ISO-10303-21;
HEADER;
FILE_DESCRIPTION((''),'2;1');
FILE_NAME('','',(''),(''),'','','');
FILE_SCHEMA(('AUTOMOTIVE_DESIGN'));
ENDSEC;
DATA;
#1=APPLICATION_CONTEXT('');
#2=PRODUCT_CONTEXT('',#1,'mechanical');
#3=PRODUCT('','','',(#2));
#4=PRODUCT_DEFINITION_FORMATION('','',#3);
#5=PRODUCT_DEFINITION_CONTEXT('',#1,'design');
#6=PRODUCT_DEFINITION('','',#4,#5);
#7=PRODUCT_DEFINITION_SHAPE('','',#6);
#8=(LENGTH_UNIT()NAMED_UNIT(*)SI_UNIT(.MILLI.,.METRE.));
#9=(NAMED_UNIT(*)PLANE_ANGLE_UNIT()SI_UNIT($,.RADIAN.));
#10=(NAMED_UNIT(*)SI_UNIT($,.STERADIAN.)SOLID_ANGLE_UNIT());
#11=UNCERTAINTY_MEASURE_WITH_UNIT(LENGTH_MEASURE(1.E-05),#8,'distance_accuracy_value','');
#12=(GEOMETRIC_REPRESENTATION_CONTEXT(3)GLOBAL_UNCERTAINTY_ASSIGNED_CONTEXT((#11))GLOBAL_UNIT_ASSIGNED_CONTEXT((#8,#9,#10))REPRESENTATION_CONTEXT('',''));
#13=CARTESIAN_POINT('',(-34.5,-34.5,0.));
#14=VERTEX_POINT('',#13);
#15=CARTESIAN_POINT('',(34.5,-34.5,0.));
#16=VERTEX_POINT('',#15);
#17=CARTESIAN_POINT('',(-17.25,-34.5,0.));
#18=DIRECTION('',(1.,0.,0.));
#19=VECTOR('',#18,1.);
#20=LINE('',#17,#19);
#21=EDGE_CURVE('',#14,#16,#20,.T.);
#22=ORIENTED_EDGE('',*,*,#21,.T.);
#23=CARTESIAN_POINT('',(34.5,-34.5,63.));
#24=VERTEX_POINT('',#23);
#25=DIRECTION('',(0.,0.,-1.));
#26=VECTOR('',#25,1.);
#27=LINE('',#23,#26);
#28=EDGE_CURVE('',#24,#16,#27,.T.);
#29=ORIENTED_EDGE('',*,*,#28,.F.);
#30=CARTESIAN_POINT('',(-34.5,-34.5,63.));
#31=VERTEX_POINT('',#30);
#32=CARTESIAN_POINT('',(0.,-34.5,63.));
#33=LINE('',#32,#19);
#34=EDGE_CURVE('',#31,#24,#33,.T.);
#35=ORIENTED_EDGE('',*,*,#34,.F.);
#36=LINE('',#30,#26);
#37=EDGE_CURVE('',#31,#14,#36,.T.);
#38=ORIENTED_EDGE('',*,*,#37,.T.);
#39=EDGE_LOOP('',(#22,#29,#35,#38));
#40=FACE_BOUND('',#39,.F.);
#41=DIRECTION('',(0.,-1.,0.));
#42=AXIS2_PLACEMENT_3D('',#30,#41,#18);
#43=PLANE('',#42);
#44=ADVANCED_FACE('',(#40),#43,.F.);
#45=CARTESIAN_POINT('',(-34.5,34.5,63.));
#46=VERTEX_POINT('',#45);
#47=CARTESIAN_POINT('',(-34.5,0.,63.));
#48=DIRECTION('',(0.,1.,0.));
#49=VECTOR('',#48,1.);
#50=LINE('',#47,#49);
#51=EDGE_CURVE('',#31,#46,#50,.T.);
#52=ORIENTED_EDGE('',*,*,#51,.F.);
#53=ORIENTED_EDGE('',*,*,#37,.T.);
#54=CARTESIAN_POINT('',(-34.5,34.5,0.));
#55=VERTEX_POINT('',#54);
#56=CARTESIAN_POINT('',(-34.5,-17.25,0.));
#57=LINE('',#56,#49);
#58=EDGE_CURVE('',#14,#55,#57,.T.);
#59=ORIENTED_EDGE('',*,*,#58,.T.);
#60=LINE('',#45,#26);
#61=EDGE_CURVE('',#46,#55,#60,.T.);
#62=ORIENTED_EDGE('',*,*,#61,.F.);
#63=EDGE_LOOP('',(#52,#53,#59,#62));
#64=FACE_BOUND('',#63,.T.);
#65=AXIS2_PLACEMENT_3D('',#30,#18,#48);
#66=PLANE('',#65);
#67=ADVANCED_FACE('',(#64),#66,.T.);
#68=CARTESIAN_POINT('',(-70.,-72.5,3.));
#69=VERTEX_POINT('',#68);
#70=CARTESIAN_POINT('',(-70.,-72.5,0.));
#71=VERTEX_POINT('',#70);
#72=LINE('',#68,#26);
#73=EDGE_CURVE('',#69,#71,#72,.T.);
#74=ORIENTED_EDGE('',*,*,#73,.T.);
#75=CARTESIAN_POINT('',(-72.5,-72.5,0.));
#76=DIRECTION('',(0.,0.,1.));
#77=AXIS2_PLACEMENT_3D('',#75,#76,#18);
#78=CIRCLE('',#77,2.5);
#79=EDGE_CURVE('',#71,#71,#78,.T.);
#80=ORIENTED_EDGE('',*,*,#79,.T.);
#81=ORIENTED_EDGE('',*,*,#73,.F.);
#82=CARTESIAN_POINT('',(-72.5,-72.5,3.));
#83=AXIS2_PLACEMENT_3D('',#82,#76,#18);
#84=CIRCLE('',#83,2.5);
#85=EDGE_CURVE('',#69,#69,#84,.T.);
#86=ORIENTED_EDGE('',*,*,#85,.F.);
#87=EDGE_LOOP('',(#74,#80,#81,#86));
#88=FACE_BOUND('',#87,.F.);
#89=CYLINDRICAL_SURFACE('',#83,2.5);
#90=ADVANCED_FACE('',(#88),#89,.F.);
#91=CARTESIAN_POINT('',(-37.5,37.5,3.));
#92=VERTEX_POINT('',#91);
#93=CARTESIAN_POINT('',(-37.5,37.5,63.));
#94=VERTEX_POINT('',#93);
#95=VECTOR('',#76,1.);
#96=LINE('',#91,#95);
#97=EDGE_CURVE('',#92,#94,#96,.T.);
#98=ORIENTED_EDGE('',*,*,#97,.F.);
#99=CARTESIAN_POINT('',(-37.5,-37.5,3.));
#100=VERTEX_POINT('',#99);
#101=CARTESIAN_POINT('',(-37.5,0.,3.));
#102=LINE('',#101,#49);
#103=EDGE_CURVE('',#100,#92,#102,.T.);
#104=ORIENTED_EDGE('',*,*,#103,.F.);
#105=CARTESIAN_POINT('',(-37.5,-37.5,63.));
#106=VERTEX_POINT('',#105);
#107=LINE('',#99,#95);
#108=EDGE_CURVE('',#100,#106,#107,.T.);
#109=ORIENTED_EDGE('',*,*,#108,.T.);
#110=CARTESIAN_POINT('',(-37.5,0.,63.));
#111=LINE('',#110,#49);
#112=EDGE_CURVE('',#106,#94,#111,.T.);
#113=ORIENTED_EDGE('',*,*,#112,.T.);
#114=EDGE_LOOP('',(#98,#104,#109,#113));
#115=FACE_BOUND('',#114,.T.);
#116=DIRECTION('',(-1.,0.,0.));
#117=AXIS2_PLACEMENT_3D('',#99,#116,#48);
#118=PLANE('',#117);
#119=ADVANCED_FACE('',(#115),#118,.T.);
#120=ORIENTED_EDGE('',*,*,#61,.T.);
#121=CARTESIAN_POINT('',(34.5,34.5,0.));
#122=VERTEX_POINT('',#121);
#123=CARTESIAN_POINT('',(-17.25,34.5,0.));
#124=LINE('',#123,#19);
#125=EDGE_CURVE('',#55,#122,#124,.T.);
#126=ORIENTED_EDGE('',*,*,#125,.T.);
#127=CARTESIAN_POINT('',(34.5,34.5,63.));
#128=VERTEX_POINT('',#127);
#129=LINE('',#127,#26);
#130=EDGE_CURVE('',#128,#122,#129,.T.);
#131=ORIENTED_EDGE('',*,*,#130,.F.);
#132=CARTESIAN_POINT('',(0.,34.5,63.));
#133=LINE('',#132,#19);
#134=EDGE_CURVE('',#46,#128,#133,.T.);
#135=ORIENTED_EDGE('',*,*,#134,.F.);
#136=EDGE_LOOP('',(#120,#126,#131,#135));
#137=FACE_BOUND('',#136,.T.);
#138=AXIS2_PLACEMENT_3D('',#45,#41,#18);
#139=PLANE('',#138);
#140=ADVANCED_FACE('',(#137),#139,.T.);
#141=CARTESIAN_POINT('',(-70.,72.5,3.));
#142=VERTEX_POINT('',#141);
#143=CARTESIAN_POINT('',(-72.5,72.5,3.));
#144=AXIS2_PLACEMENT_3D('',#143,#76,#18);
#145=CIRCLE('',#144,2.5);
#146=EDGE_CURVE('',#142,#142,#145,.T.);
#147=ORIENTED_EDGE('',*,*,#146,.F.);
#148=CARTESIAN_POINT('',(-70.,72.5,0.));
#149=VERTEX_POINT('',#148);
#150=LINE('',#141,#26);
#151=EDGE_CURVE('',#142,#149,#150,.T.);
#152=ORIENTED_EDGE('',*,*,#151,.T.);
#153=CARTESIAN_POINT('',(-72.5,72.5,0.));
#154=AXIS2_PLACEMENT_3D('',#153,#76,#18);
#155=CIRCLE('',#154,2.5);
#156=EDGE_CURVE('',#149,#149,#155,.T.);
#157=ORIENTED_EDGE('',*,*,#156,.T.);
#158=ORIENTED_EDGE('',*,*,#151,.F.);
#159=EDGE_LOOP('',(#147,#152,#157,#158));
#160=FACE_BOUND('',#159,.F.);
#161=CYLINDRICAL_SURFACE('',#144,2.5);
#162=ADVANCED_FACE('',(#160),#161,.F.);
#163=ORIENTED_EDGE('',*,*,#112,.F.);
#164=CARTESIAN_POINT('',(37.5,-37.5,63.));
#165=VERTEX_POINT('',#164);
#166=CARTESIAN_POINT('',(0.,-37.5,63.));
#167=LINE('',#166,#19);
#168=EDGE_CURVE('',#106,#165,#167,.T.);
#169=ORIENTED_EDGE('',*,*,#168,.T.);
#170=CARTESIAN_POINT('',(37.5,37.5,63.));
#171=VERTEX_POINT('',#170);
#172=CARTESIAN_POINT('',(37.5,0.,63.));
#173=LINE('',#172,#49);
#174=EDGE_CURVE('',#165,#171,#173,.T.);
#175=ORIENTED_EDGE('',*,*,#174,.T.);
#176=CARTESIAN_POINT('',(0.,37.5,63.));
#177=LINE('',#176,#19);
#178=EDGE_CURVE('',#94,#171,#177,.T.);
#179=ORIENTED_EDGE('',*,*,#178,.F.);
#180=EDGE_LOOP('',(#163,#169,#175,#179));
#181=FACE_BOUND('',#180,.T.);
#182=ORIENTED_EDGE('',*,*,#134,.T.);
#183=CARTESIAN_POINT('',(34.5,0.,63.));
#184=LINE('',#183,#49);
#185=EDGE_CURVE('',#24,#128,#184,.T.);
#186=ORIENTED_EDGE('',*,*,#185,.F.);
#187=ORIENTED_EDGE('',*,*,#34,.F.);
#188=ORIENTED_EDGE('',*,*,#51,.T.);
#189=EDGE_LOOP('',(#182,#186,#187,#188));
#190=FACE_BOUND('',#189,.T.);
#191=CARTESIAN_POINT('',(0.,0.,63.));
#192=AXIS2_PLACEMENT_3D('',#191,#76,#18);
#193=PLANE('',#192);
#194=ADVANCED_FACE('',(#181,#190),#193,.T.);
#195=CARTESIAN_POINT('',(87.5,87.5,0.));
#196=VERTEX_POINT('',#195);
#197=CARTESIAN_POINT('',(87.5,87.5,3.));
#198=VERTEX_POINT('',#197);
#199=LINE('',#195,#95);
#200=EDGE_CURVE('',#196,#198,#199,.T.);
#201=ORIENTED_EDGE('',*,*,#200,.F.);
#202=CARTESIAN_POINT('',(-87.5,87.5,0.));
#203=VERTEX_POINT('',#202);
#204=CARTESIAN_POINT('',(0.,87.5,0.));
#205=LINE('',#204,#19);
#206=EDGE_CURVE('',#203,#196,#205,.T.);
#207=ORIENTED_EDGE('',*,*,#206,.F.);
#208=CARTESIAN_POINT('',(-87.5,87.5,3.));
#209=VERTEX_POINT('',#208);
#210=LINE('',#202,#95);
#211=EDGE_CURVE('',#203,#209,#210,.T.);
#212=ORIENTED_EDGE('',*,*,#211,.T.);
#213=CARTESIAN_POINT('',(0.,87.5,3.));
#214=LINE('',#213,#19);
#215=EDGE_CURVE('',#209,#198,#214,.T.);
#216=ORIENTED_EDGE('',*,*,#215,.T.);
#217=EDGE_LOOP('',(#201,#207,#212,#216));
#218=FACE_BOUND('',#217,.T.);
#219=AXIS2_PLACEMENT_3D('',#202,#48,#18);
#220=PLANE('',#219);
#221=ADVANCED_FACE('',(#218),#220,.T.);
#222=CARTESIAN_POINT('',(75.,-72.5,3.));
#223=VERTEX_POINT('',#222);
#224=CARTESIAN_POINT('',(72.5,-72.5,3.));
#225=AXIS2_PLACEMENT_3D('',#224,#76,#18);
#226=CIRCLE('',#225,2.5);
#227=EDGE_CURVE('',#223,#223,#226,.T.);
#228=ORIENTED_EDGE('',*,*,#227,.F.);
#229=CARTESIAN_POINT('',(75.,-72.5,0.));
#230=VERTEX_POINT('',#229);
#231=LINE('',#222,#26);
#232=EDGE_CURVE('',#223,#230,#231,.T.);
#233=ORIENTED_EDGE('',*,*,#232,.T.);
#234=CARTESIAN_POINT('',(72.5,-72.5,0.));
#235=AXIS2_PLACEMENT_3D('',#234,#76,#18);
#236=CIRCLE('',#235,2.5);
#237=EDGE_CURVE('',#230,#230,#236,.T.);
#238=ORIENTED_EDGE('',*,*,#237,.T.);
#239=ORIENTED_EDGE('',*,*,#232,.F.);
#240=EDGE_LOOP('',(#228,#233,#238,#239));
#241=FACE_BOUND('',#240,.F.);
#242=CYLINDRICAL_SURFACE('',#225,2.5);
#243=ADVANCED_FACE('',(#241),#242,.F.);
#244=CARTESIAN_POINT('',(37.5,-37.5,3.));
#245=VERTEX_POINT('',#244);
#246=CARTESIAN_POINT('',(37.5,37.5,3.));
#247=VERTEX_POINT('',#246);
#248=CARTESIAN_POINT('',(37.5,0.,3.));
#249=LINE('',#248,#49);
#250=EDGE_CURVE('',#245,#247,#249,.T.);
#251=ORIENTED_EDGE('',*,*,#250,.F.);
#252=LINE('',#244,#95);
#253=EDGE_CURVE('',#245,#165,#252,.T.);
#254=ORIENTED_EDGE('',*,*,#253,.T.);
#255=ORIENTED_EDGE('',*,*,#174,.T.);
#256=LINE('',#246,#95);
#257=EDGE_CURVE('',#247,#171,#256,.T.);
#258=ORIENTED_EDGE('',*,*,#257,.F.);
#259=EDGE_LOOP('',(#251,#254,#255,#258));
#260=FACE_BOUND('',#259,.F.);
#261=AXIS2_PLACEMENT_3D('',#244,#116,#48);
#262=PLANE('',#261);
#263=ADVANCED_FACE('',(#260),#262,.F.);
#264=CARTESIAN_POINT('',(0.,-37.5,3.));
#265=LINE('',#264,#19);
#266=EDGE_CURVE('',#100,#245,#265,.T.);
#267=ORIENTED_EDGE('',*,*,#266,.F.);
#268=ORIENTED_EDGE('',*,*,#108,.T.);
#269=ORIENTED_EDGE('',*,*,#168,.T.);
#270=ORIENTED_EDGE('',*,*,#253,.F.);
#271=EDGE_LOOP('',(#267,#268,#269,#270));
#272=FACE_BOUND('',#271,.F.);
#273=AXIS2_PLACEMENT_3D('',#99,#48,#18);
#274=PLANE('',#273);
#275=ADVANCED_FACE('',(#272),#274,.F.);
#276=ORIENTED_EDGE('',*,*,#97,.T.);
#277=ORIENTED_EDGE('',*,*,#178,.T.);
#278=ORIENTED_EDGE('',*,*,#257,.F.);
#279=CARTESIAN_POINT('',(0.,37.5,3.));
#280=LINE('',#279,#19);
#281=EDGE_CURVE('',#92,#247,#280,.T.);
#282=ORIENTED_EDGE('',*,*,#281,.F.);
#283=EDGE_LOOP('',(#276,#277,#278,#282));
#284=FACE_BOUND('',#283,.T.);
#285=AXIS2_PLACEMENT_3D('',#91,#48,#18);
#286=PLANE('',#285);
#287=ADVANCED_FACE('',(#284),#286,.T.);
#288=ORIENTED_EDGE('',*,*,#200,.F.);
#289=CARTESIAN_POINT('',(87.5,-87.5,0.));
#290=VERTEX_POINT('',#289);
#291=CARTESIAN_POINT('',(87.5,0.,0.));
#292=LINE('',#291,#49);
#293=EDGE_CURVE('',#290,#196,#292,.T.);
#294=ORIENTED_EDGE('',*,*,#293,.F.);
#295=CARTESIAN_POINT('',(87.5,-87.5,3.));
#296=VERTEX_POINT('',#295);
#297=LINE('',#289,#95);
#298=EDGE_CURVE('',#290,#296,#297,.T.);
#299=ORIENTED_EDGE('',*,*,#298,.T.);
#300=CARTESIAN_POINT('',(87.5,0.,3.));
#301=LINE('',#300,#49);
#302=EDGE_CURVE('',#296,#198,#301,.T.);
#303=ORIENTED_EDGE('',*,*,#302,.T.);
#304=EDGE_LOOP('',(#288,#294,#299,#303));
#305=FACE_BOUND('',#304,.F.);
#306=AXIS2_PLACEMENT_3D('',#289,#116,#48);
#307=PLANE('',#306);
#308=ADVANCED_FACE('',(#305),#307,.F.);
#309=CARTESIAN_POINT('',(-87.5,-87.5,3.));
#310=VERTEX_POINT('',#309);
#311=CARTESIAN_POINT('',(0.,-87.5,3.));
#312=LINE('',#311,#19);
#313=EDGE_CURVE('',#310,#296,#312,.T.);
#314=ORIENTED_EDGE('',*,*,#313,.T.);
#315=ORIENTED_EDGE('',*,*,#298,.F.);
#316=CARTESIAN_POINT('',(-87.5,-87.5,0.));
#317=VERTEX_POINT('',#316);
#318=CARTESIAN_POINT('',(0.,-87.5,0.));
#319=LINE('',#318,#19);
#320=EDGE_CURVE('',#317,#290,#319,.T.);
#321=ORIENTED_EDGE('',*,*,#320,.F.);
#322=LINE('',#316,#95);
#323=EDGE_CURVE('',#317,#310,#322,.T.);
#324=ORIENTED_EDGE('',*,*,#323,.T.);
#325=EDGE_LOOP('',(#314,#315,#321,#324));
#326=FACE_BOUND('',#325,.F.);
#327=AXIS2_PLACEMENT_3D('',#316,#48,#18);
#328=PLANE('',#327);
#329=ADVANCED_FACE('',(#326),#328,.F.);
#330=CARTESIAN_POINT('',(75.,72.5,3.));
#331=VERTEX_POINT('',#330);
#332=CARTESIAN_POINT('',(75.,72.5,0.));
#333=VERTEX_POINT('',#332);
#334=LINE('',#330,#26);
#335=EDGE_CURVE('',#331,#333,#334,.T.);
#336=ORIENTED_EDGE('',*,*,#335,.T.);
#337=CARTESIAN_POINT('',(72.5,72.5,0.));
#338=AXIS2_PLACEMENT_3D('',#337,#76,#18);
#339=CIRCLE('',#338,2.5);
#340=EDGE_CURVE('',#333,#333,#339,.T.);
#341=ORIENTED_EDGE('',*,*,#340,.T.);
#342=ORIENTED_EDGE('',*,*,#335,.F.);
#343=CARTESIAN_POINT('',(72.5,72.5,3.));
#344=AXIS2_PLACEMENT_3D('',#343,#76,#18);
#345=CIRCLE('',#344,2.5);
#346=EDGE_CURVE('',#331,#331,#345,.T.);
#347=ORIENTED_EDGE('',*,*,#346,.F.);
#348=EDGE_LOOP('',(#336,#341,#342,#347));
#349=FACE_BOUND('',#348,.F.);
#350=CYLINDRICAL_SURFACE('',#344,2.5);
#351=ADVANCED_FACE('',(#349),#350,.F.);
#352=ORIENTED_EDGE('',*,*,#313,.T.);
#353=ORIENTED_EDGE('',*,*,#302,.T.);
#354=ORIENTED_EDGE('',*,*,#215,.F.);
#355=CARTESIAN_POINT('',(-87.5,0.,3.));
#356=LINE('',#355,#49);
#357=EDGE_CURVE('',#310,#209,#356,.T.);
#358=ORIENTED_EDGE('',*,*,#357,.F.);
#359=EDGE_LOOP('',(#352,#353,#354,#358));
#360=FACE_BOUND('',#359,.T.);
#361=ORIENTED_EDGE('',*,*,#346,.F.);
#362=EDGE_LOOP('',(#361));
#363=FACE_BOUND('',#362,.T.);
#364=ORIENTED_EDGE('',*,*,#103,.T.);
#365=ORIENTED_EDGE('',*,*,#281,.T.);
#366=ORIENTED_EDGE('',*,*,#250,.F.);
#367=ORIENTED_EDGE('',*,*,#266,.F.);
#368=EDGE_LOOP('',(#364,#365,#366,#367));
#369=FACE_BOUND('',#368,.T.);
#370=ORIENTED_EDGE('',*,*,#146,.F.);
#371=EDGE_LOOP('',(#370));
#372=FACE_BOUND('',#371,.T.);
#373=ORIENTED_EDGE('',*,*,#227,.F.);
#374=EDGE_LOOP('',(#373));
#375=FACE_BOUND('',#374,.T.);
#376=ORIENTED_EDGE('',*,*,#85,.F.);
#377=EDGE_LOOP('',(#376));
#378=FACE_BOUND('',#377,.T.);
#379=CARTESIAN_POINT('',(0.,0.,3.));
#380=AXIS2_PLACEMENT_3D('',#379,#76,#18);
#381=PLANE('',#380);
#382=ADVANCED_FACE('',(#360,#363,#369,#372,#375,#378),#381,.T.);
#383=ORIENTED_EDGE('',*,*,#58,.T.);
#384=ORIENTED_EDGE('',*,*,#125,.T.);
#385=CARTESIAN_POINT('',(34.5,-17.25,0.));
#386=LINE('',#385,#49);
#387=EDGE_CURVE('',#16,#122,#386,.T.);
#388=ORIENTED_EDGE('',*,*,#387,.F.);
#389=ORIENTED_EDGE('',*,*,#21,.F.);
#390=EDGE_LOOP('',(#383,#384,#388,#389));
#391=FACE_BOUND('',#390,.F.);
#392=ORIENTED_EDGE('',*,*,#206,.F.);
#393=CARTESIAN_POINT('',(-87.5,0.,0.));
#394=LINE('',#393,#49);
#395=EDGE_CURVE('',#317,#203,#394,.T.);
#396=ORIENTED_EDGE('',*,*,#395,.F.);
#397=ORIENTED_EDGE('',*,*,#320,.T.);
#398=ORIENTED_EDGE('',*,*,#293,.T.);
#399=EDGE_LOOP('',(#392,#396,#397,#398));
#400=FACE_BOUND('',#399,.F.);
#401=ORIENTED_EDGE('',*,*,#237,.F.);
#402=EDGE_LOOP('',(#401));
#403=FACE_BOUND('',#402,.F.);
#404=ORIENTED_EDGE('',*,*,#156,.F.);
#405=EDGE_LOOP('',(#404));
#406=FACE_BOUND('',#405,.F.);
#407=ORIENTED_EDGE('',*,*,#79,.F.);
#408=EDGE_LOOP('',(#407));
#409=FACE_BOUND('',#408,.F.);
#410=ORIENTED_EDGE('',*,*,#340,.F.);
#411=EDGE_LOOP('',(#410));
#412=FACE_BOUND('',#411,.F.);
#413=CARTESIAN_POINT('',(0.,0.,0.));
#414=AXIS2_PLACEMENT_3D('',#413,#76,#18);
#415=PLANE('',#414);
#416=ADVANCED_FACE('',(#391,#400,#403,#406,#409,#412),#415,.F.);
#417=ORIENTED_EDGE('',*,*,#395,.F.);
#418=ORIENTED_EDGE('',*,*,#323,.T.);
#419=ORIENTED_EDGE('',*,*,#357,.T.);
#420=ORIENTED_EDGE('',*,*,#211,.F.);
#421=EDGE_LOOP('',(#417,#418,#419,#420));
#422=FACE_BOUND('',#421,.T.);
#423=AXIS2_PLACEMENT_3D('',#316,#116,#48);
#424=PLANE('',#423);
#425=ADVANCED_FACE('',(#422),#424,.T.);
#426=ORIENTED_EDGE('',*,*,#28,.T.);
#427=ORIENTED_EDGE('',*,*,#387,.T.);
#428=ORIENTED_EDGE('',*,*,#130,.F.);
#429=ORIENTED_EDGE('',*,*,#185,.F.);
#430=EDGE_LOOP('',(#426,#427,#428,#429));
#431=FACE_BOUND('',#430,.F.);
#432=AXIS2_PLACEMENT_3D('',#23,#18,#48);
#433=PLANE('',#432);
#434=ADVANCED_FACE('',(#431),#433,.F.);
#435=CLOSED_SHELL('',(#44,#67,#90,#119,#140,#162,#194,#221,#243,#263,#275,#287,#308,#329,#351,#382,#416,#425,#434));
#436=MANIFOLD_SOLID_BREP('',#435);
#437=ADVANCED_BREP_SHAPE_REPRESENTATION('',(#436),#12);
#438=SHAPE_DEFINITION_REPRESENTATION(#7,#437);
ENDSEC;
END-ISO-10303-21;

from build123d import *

# Parameters (mm, degrees)
SKETCH_W     = 175
SKETCH_H     = 175
PAD_DEPTH    = 3
SKETCH001_R  = 2.5
HOLE_DEPTH   = 3.001
SKETCH002_W  = 75
SKETCH002_H  = 75
PAD001_DEPTH = 60
SKETCH003_W  = 69
SKETCH003_H  = 69
POCKET_DEPTH = 63.001


with BuildPart() as part:
    # Sketch → Pad (new body)
    with BuildSketch(Plane.XY):
        Rectangle(SKETCH_W, SKETCH_H)
    extrude(amount=PAD_DEPTH)

    # Sketch001 (on Face6 of Pad) → Hole (cut, through all)
    with BuildSketch(Plane.XY.offset(3)):
        with Locations((-72.5, 72.5)):
            Circle(SKETCH001_R)
        with Locations((72.5, 72.5)):
            Circle(SKETCH001_R)
        with Locations((-72.5, -72.5)):
            Circle(SKETCH001_R)
        with Locations((72.5, -72.5)):
            Circle(SKETCH001_R)
    extrude(amount=-HOLE_DEPTH, mode=Mode.SUBTRACT)

    # Sketch002 (on Face5 of Hole) → Pad001 (join)
    with BuildSketch(Plane.XY.offset(3)):
        Rectangle(SKETCH002_W, SKETCH002_H)
    extrude(amount=PAD001_DEPTH)

    # Sketch003 (on Face15 of Pad001) → Pocket (cut, through all)
    with BuildSketch(Plane.XY.offset(63)):
        Rectangle(SKETCH003_W, SKETCH003_H)
    extrude(amount=-POCKET_DEPTH, mode=Mode.SUBTRACT)


solid = part.part
